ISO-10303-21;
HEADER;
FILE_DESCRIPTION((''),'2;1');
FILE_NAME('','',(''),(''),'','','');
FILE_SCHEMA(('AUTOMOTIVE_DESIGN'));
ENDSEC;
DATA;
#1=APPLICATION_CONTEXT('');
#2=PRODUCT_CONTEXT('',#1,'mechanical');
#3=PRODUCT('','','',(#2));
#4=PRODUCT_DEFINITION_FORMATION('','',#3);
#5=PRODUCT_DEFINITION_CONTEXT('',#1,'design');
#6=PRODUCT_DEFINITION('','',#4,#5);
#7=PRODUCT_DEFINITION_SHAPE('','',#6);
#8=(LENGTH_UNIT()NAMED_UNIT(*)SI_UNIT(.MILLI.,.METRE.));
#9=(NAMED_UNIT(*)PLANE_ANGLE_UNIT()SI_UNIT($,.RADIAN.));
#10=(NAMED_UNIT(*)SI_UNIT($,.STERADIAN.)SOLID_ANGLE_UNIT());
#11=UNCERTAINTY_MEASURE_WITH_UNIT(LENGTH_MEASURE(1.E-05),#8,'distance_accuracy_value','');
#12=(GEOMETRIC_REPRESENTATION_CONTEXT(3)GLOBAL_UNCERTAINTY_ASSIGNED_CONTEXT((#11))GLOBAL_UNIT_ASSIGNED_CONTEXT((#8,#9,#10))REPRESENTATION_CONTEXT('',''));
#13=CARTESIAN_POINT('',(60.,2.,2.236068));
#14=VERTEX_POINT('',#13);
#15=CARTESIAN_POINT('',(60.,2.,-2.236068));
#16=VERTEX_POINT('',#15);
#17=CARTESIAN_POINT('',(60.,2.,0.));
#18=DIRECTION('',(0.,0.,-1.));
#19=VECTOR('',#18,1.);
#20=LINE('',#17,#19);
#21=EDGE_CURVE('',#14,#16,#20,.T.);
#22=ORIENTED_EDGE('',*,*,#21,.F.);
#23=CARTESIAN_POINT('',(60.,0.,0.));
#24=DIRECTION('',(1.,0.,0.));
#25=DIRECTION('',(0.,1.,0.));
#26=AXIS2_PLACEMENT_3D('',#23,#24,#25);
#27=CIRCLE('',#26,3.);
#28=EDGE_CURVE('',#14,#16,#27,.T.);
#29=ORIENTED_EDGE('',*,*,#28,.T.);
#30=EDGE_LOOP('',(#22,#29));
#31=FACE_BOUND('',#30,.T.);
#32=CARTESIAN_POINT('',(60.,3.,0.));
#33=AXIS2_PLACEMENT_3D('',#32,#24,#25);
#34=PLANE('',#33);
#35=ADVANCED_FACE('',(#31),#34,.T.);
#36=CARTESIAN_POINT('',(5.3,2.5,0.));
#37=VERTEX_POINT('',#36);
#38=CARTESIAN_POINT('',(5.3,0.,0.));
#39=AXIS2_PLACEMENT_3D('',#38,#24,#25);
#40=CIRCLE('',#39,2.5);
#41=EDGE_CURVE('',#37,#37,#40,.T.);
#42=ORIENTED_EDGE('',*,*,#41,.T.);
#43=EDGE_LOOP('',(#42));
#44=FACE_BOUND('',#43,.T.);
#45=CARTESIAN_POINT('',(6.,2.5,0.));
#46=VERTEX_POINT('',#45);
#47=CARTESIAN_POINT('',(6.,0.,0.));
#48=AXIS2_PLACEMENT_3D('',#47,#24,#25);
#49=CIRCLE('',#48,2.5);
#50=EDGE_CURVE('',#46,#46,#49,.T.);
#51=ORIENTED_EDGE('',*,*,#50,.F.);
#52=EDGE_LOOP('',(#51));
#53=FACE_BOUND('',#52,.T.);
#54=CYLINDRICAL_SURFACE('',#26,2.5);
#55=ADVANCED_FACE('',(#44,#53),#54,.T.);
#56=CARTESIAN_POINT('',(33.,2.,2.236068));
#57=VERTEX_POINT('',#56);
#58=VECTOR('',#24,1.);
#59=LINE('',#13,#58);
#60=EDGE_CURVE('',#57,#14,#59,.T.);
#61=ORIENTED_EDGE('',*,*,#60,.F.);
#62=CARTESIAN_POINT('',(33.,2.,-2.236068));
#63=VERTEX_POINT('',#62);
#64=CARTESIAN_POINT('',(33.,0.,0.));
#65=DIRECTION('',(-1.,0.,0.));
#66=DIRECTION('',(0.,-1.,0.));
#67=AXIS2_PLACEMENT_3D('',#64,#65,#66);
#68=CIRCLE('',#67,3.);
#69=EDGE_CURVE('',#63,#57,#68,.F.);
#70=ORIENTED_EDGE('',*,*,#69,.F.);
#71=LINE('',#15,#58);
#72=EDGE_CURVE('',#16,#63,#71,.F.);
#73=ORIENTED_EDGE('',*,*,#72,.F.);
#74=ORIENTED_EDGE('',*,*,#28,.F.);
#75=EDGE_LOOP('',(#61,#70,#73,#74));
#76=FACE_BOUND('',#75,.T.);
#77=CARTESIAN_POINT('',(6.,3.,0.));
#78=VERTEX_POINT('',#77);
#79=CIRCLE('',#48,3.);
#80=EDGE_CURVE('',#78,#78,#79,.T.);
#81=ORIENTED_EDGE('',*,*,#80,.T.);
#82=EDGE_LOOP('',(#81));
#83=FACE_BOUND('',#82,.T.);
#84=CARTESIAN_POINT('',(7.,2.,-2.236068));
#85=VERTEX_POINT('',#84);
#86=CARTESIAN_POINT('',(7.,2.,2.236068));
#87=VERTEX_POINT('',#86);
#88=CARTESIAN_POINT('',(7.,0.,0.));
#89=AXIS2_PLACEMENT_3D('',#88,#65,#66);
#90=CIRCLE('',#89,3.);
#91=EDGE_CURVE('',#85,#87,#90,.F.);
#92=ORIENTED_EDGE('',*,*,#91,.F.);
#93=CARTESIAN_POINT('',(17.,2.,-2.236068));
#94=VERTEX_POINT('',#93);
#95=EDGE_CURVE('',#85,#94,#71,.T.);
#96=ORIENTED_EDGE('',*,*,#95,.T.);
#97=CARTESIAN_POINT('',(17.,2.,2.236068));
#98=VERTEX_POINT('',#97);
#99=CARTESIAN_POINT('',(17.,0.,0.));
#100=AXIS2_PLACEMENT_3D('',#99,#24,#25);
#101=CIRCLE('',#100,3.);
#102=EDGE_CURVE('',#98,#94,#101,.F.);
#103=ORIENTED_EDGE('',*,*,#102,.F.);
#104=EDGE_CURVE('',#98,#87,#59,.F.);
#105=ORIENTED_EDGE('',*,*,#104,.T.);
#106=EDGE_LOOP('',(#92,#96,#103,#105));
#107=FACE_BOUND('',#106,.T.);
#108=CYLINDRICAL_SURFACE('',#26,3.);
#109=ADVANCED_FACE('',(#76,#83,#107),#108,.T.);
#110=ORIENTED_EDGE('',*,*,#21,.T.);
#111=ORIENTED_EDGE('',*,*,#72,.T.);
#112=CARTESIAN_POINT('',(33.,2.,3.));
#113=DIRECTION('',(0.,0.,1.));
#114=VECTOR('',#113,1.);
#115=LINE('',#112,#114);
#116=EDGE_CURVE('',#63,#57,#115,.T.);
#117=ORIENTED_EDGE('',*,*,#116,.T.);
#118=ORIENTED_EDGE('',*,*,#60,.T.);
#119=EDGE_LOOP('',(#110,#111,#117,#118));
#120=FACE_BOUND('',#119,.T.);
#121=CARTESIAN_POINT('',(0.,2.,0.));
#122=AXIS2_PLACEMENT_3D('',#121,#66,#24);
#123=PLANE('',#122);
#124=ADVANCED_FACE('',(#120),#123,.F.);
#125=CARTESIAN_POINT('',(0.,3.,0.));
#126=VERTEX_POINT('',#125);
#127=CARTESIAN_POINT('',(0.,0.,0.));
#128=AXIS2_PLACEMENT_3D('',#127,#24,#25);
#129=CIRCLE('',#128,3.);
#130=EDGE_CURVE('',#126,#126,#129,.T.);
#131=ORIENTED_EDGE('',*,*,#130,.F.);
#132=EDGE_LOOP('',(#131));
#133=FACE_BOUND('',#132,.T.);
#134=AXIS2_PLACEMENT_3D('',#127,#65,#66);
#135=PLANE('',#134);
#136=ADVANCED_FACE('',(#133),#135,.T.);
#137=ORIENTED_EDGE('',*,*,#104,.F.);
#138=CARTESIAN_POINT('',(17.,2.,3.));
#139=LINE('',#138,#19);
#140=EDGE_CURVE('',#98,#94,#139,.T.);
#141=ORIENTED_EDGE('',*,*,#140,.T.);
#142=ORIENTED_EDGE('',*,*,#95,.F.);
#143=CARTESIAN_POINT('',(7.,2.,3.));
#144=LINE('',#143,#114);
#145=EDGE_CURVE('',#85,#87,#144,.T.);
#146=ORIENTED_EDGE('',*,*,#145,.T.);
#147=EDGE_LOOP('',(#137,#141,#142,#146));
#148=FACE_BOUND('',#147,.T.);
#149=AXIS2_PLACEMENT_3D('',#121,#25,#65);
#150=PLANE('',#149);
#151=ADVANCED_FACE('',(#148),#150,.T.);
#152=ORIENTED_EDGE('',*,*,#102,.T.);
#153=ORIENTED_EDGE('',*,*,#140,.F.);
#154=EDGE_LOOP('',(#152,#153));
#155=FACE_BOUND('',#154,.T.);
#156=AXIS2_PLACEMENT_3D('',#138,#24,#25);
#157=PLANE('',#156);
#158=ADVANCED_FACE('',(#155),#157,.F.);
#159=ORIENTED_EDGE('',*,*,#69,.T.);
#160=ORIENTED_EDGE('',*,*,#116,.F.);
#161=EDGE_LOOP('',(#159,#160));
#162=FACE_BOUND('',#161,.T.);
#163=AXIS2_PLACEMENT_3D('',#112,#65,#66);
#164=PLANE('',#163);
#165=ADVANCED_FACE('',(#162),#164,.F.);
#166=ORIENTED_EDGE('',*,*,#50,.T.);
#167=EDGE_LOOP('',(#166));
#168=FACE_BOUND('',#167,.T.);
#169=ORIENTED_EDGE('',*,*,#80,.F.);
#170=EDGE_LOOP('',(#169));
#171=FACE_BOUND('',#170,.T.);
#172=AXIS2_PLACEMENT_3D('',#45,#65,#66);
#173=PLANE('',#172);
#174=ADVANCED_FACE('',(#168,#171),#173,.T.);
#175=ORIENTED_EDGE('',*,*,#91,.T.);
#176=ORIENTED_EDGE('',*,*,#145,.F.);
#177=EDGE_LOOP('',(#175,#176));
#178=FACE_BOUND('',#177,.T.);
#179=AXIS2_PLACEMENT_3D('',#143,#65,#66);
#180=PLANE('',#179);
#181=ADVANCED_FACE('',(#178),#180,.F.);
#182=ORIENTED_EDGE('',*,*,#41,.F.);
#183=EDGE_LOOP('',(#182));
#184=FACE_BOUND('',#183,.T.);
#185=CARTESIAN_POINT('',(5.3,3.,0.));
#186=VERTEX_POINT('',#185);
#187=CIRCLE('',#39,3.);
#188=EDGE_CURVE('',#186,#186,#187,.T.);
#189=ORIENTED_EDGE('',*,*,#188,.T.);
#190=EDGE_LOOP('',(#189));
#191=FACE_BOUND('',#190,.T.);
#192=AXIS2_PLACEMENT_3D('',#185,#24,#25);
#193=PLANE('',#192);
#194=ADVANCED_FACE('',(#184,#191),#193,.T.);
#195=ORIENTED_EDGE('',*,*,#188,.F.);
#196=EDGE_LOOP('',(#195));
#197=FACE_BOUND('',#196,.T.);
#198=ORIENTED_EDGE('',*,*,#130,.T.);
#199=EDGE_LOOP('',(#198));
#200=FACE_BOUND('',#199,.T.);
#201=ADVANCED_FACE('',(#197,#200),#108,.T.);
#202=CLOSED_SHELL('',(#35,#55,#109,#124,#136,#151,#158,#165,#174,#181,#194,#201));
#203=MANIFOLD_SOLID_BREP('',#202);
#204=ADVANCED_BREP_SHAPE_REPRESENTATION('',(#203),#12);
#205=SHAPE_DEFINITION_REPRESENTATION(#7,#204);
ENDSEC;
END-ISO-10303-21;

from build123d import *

# Parameters (mm, degrees)
ESQUISSE2_W             = 10
ESQUISSE2_H             = 6
ESQUISSE2_W_2           = 27
ENL_V_MAT_EXTRU_1_DEPTH = 1


with BuildPart() as part:
    # Esquisse1 → Révolution1 (revolve)
    with BuildSketch(Plane.XY):
        Polygon((0, 0), (0, 3), (5.3, 3), (5.3, 2.5), (6, 2.5), (6, 3), (60, 3), (60, 0), align=None)
    revolve(axis=Axis((60, 0, 0), (-1, 0, 0)))

    # Esquisse2 → Enlèv. mat.-Extru.1 (cut)
    with BuildSketch(Plane(origin=(0, 3, 0), x_dir=(1, 0, 0), z_dir=(0, 1, 0))):
        with Locations((12, 0)):
            Rectangle(ESQUISSE2_W, ESQUISSE2_H)
        with Locations((46.5, 0)):
            Rectangle(ESQUISSE2_W_2, ESQUISSE2_H)
    extrude(amount=-ENL_V_MAT_EXTRU_1_DEPTH, mode=Mode.SUBTRACT)


solid = part.part
